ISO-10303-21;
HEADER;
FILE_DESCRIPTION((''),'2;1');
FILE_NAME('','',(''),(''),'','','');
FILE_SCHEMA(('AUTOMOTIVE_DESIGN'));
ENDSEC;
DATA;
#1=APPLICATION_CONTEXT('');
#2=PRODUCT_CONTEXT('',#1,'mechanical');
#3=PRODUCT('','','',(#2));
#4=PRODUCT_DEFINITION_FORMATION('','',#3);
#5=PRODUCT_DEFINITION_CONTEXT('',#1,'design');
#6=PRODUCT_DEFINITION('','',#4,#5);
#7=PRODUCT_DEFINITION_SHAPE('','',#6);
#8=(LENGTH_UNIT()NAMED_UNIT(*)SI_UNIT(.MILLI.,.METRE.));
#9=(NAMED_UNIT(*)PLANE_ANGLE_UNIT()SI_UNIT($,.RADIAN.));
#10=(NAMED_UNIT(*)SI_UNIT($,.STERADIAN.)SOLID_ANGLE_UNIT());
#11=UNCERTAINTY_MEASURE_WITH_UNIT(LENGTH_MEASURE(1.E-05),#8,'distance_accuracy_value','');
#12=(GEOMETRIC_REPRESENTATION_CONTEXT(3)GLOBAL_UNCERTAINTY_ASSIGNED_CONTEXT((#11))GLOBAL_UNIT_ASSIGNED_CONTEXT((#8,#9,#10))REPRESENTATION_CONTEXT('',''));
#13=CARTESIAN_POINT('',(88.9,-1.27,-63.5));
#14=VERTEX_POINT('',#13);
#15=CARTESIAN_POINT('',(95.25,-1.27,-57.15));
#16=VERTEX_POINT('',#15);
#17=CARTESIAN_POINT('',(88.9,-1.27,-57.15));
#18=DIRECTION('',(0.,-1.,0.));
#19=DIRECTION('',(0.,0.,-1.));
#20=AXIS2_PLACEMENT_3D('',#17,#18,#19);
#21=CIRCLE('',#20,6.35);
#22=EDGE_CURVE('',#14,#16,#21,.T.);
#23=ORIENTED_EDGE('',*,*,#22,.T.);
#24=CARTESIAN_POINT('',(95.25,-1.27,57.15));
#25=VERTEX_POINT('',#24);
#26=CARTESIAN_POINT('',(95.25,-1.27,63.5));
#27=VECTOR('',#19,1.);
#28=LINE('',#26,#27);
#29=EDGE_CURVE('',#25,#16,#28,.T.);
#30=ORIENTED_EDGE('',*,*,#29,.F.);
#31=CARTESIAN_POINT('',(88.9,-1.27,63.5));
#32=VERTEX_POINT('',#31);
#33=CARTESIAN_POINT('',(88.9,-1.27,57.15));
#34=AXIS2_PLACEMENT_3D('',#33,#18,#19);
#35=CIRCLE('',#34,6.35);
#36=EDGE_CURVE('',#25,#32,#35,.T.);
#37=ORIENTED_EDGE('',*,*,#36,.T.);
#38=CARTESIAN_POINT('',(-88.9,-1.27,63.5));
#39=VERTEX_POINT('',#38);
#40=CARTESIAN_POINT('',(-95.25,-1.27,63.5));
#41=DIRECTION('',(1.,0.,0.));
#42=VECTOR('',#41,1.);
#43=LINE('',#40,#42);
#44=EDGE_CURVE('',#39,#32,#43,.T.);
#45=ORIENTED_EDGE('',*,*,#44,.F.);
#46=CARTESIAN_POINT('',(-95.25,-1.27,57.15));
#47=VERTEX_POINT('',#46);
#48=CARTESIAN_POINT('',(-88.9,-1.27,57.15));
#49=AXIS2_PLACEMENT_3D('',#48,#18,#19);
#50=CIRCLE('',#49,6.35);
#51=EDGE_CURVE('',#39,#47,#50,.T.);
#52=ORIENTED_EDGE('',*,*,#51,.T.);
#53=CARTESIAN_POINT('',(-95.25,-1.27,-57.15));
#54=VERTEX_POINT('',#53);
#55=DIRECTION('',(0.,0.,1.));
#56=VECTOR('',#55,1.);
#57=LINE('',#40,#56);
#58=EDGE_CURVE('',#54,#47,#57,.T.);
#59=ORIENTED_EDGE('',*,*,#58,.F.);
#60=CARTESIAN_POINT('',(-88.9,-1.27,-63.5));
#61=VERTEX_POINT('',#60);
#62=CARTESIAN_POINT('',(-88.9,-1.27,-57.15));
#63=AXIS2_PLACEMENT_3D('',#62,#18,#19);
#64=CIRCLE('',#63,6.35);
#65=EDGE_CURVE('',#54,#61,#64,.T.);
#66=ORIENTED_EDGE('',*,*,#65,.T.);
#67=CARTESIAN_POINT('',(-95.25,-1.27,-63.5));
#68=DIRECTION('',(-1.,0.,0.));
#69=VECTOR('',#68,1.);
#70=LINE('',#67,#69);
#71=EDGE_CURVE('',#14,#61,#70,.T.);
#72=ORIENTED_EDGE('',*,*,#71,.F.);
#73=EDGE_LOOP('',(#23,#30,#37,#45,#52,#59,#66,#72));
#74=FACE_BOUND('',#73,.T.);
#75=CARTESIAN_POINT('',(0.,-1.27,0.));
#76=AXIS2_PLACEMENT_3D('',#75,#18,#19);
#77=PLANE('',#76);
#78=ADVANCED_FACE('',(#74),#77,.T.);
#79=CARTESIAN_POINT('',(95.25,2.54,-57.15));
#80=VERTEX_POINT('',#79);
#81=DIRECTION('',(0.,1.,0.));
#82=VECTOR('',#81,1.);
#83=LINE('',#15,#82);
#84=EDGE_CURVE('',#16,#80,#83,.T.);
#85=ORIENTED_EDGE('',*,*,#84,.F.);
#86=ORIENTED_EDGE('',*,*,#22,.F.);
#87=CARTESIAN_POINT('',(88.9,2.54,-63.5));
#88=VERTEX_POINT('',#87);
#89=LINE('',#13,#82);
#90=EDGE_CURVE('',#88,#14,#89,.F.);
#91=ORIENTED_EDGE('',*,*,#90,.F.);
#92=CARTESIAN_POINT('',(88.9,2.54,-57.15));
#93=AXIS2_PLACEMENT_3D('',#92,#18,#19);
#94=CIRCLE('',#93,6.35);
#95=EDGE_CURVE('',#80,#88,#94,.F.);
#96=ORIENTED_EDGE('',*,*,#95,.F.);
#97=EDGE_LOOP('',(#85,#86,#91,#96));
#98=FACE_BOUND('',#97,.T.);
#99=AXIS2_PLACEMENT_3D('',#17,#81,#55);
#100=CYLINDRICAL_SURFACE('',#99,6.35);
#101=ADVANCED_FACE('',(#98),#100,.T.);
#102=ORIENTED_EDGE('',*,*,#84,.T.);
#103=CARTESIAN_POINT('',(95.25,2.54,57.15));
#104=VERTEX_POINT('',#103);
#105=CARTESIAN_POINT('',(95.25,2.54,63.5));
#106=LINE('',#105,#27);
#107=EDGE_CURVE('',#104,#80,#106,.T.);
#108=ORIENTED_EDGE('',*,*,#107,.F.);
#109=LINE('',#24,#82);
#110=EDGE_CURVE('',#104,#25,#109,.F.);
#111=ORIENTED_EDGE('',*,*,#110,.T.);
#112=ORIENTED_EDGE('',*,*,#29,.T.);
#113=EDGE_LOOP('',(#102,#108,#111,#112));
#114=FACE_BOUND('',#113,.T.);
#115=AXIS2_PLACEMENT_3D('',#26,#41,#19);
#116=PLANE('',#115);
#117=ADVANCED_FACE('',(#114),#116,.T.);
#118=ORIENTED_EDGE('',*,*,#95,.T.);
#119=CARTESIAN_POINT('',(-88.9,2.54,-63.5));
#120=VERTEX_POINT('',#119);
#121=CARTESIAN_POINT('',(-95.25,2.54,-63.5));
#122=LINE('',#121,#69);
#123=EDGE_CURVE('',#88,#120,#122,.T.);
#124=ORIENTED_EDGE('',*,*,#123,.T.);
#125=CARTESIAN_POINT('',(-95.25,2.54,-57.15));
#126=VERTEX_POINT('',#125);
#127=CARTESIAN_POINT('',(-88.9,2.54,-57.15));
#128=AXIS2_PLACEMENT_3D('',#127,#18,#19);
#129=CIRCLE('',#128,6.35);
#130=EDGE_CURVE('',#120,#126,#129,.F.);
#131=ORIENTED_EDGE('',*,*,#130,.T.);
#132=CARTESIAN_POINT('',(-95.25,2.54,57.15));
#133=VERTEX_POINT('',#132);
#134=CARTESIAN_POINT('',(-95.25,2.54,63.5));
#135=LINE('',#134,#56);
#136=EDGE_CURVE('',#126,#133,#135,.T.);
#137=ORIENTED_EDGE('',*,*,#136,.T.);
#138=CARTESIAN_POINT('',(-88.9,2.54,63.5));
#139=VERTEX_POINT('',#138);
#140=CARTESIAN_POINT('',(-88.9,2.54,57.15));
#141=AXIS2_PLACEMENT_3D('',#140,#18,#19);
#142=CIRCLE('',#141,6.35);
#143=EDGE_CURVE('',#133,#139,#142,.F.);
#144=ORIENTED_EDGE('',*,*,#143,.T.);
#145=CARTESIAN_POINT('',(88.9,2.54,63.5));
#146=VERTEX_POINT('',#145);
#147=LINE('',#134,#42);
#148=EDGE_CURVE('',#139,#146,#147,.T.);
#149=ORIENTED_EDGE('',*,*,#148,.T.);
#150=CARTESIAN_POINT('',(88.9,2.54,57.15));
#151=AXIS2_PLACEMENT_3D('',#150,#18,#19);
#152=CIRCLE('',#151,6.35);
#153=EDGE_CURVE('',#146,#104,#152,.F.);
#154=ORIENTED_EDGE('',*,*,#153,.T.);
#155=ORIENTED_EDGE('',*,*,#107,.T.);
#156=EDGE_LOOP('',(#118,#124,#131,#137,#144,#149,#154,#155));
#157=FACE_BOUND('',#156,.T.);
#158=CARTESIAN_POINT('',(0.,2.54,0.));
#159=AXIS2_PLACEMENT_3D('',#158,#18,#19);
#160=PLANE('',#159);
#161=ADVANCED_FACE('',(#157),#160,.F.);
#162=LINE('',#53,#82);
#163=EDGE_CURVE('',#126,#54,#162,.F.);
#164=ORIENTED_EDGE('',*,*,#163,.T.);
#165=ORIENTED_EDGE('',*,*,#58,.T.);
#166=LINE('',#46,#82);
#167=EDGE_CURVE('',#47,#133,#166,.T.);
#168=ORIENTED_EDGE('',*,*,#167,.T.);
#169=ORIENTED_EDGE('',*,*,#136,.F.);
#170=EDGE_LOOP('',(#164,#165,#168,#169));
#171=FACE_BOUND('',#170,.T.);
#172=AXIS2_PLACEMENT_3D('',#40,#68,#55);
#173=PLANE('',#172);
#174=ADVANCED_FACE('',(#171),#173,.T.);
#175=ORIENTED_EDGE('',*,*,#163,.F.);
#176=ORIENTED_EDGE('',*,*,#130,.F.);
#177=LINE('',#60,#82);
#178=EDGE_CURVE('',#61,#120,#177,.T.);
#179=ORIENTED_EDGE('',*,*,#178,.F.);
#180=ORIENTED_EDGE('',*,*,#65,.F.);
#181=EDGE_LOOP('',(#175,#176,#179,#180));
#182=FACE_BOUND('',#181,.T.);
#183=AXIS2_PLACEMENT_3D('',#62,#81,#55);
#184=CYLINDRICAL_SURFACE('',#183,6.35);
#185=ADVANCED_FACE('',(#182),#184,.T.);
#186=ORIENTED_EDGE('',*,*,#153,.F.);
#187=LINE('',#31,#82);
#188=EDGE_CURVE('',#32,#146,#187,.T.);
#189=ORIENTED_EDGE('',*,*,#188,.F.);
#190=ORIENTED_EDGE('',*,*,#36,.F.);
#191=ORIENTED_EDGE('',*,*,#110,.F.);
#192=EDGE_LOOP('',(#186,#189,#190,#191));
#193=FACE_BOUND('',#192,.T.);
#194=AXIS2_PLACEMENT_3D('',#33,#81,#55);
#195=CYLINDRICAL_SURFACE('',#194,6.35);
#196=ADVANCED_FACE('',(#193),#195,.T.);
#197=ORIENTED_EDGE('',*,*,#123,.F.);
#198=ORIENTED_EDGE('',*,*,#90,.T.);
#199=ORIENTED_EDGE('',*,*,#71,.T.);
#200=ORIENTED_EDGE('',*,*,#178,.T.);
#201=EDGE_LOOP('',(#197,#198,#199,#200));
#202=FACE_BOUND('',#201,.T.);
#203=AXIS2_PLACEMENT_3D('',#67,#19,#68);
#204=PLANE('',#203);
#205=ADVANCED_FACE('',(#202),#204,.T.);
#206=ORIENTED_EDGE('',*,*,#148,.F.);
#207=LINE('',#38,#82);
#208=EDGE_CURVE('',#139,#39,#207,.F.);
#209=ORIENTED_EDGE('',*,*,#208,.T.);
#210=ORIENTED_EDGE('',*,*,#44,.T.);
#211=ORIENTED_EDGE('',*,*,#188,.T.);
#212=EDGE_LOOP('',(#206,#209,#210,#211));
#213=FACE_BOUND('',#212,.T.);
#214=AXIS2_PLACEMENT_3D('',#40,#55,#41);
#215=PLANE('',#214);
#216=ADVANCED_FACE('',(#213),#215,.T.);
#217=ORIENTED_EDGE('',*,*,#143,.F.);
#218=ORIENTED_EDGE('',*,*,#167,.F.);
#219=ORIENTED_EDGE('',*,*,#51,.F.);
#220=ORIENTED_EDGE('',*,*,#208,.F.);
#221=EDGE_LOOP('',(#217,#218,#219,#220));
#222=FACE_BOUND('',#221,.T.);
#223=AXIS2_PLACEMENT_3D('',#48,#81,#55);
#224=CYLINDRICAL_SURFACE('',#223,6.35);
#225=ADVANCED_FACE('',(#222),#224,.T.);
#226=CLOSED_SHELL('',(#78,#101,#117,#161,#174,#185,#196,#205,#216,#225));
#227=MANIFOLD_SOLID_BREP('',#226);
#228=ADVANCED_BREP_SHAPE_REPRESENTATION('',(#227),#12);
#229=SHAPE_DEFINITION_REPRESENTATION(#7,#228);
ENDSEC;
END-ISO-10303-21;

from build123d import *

# Parameters (mm, degrees)
BOSS_EXTRUDE1_DEPTH      = 2.54
BOSS_EXTRUDE1_DEPTH_BACK = 1.27
SKETCH1_W                = 190.5
SKETCH1_H                = 127
FILLET1_R                = 6.35


with BuildPart() as part:
    # Sketch1 → Boss-Extrude1 (new, two sides: drawn at the far end of the back side and taken through both)
    with BuildSketch(Plane(origin=(0, 0, 0), x_dir=(1, 0, 0), z_dir=(0, 1, 0)).offset(-BOSS_EXTRUDE1_DEPTH_BACK)):
        Rectangle(SKETCH1_W, SKETCH1_H)
    extrude(amount=BOSS_EXTRUDE1_DEPTH + BOSS_EXTRUDE1_DEPTH_BACK)

    # Fillet1
    fillet1_edges = [part.edges().sort_by_distance(p)[0] for p in [
        (95.25, 0.635, 63.5),
        (-95.25, 0.635, 63.5),
        (-95.25, 0.635, -63.5),
        (95.25, 0.635, -63.5),
    ]]
    fillet(fillet1_edges, radius=FILLET1_R)


solid = part.part
